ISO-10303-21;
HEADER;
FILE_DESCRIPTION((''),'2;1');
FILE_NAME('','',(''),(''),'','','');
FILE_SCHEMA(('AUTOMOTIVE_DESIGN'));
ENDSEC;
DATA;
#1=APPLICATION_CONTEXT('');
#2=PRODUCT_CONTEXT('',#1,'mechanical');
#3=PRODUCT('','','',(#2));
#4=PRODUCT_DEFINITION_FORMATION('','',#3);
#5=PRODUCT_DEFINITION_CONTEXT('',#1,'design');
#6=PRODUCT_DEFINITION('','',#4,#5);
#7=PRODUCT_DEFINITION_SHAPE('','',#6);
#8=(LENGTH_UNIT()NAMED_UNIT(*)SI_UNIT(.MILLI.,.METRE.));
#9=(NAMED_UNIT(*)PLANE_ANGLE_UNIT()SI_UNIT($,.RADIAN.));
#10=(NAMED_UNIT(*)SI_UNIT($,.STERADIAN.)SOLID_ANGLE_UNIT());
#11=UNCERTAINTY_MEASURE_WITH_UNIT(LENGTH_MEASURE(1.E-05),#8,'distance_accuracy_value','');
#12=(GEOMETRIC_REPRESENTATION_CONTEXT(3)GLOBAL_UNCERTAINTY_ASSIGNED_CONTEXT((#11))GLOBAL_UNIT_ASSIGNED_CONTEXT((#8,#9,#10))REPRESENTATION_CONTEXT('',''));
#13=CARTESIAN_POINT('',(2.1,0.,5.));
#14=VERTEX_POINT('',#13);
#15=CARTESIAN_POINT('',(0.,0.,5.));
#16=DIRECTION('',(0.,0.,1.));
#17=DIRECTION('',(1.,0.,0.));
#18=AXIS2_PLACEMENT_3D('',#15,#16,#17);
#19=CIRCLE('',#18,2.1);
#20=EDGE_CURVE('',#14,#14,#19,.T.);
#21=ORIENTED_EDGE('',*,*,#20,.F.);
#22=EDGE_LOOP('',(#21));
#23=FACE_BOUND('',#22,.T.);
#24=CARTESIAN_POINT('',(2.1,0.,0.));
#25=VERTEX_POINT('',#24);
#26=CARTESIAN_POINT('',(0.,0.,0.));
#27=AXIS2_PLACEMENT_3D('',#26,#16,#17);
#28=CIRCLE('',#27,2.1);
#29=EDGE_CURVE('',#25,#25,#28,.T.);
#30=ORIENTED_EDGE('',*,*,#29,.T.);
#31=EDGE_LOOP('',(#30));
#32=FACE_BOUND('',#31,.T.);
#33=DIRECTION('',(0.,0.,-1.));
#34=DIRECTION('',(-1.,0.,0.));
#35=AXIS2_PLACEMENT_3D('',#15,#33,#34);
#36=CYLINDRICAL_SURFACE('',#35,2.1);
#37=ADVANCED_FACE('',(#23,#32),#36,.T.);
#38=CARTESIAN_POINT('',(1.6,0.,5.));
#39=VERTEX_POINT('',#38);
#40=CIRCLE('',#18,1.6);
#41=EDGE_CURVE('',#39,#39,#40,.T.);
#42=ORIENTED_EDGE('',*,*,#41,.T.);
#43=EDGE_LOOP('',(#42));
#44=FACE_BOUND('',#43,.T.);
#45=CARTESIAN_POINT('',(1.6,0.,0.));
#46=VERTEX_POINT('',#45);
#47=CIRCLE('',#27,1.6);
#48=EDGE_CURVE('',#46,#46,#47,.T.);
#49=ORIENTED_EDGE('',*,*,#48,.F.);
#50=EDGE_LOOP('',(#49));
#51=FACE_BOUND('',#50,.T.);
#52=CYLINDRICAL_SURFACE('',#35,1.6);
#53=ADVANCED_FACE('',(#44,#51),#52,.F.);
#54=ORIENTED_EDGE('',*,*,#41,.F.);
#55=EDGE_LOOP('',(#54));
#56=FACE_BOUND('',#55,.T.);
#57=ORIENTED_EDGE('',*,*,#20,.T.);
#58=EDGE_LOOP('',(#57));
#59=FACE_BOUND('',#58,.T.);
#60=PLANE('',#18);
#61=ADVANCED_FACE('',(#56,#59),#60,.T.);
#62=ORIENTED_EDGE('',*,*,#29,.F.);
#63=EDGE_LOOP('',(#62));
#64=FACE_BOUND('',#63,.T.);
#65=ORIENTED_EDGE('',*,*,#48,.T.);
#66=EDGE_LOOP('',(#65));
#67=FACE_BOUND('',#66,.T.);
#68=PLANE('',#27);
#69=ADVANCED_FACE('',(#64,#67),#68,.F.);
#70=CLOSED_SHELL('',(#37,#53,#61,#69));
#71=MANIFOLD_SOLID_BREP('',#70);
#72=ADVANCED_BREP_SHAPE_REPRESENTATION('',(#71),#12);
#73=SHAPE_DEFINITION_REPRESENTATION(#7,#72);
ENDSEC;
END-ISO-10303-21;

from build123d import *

# Parameters (mm, degrees)
SKETCH1_R           = 2.1
BOSS_EXTRUDE1_DEPTH = 5
SHELL1_T            = -0.5


with BuildPart() as part:
    # Sketch1 → Boss-Extrude1 (new body)
    with BuildSketch(Plane.XY):
        Circle(SKETCH1_R)
    extrude(amount=BOSS_EXTRUDE1_DEPTH)

    # Shell1
    shell1_openings = [part.faces().sort_by_distance(p)[0] for p in [
        (0, 0, 5),
        (0, 0, 0),
    ]]
    offset(amount=SHELL1_T, openings=shell1_openings, kind=Kind.INTERSECTION)


solid = part.part
